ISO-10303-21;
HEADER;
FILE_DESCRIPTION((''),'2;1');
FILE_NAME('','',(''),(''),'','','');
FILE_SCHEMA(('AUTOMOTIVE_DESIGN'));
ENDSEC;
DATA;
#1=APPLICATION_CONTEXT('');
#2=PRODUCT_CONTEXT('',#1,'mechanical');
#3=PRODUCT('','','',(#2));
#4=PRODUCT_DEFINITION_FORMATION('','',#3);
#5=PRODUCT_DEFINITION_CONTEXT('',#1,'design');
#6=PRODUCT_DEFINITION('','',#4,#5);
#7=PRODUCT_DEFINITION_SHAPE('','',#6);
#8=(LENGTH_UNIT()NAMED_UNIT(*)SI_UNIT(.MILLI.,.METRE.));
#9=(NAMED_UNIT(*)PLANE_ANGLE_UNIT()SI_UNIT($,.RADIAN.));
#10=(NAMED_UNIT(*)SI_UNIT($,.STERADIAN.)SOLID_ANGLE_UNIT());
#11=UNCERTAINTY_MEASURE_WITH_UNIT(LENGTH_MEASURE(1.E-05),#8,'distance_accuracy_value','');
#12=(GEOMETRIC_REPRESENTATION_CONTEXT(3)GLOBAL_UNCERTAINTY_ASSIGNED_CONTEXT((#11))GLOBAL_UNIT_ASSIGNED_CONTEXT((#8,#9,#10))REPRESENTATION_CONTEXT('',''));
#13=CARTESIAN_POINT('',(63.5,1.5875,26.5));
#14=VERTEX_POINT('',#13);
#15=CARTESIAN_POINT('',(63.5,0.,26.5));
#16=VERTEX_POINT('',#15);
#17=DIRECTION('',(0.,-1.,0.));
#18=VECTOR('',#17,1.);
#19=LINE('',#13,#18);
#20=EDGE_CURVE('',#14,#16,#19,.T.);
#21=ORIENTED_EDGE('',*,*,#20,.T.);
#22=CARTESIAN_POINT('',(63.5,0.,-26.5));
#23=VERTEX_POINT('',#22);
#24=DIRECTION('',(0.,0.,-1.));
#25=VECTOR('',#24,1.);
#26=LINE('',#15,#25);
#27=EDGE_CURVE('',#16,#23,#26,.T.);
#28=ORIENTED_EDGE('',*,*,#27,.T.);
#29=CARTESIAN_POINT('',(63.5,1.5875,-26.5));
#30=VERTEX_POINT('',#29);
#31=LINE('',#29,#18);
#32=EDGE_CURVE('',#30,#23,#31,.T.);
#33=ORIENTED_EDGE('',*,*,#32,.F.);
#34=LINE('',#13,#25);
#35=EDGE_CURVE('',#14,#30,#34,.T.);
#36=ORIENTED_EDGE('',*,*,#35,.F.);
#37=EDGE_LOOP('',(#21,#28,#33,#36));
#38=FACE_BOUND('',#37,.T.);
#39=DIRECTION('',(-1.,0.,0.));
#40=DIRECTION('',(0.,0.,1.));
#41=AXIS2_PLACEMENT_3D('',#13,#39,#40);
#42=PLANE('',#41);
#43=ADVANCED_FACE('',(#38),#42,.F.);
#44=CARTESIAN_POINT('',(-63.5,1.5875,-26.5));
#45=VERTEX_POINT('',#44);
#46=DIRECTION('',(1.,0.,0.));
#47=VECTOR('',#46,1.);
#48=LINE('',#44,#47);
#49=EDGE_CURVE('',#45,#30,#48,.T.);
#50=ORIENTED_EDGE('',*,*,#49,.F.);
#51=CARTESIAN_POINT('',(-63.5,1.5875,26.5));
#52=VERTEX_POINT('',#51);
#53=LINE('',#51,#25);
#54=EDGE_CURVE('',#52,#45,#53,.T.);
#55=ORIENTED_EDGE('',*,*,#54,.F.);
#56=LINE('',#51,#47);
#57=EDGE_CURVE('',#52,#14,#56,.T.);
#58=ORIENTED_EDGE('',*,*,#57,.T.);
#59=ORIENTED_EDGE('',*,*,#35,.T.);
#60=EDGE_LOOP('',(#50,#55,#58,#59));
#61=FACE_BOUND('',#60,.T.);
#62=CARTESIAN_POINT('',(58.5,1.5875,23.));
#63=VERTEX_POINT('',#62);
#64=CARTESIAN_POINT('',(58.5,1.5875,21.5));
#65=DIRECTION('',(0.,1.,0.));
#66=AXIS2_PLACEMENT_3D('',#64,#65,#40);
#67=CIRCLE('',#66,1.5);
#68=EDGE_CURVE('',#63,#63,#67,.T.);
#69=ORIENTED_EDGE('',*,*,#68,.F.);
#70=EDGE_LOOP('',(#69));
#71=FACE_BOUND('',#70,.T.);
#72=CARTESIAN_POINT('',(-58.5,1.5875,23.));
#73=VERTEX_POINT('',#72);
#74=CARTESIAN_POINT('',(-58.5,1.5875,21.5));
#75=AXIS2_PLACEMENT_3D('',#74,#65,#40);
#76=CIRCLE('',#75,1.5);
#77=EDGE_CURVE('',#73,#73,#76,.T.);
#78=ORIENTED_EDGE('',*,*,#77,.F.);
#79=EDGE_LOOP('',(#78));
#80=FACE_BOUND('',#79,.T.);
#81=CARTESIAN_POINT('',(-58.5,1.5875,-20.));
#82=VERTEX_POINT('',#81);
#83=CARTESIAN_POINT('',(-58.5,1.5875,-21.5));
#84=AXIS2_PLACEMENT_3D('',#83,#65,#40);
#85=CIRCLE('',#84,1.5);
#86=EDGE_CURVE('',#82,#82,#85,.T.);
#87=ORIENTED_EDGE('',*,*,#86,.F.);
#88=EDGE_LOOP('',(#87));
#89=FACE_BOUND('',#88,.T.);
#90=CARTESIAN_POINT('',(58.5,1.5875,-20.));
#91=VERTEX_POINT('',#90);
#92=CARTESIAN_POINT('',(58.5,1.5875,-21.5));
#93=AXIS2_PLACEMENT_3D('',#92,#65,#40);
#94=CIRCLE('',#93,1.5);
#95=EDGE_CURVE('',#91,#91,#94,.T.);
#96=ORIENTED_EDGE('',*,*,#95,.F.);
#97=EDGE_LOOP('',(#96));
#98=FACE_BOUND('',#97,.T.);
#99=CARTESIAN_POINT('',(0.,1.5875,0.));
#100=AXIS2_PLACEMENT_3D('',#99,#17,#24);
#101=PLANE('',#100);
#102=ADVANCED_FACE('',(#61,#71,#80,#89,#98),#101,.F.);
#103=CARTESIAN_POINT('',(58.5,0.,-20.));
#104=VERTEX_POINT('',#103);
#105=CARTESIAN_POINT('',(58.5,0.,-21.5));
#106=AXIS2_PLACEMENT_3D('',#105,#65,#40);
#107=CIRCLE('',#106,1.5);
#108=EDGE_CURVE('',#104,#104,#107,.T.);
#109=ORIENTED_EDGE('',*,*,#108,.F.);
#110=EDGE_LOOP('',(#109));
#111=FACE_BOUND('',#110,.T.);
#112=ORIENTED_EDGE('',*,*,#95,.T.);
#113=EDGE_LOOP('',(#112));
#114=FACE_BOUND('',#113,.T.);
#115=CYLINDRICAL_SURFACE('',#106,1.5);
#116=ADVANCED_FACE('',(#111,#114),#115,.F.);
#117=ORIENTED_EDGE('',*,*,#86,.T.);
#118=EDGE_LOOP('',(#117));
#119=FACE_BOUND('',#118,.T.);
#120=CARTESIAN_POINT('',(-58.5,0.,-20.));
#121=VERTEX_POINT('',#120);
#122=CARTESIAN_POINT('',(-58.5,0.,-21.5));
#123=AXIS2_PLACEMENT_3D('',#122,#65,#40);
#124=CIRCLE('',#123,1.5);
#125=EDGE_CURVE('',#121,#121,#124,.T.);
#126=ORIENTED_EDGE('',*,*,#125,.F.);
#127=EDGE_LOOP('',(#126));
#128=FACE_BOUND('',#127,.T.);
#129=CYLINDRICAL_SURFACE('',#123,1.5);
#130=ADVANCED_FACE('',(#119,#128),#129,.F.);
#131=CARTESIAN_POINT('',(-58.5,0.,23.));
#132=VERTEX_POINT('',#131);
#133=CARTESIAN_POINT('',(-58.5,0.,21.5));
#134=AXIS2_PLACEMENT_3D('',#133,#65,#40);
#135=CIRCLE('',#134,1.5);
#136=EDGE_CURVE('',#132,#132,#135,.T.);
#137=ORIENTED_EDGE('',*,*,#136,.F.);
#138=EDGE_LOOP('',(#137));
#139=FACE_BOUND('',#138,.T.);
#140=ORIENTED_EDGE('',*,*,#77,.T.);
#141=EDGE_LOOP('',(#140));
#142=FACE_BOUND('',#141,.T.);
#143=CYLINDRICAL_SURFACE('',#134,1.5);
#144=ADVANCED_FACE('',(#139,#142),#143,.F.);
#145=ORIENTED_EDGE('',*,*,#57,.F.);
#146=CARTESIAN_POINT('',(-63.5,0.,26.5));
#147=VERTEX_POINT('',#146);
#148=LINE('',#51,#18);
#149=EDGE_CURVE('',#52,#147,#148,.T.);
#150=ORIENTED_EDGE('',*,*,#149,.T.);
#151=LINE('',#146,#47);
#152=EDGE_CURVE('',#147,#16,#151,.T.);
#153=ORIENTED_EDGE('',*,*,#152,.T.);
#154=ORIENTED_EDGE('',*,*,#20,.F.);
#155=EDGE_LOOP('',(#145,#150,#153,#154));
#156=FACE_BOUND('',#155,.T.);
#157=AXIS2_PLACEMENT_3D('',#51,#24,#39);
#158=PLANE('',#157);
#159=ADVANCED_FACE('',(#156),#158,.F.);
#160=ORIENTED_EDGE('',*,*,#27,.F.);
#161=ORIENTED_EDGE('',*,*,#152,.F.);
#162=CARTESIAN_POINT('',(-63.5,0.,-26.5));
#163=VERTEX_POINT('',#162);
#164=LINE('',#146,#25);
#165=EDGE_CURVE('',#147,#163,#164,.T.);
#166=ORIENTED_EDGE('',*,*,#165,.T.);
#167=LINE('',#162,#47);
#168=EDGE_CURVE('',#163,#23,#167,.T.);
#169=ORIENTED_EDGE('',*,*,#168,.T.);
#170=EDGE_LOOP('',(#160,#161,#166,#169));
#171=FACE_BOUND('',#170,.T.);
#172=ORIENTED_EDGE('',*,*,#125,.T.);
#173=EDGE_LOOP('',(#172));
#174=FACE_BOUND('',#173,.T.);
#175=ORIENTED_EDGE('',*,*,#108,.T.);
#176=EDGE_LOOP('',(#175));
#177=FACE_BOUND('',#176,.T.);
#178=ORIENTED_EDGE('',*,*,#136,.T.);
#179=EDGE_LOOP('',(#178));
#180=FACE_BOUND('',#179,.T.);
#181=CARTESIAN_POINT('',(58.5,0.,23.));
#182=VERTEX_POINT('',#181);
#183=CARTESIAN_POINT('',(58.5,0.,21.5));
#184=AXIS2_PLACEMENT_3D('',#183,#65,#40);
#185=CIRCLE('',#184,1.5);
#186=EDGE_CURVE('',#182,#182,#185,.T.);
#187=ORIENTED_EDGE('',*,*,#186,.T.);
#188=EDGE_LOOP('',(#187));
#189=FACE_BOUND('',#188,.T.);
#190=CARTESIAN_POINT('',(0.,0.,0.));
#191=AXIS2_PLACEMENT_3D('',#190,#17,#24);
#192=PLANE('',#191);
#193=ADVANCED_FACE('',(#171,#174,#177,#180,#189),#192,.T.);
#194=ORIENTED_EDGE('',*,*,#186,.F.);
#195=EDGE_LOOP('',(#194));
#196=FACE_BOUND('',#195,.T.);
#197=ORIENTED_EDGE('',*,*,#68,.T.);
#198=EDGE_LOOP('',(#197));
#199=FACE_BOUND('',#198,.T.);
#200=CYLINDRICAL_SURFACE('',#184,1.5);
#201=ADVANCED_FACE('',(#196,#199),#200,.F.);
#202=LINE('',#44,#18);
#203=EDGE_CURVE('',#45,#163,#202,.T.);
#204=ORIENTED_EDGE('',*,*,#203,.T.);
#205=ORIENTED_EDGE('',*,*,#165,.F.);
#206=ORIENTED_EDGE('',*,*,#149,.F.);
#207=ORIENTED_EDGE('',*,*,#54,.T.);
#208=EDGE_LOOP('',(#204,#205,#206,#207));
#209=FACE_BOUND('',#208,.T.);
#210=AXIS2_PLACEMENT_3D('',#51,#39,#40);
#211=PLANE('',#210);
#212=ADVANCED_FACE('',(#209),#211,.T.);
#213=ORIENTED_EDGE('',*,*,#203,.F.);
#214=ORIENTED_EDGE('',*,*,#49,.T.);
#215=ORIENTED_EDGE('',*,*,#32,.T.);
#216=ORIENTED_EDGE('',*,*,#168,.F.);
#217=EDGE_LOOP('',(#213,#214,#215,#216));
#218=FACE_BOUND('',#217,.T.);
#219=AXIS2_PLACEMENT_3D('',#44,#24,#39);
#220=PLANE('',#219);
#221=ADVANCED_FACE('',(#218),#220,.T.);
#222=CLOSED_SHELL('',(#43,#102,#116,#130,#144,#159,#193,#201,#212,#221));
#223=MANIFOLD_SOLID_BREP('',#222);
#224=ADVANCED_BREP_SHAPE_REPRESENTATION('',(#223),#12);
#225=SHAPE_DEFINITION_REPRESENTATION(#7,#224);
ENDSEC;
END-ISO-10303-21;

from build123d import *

# Parameters (mm, degrees)
SKETCH1_W           = 127
SKETCH1_H           = 53
BOSS_EXTRUDE1_DEPTH = 1.5875
SKETCH2_R           = 1.5
CUT_EXTRUDE1_DEPTH  = 2.5875


with BuildPart() as part:
    # Sketch1 → Boss-Extrude1 (new body)
    with BuildSketch(Plane(origin=(0, 0, 0), x_dir=(1, 0, 0), z_dir=(0, 1, 0))):
        Rectangle(SKETCH1_W, SKETCH1_H)
    extrude(amount=BOSS_EXTRUDE1_DEPTH)

    # Sketch2 → Cut-Extrude1 (cut, through all)
    with BuildSketch(Plane(origin=(0, 1.5875, 0), x_dir=(1, 0, 0), z_dir=(0, 1, 0))):
        with Locations((-58.5, -21.5)):
            Circle(SKETCH2_R)
        with Locations((58.5, -21.5)):
            Circle(SKETCH2_R)
        with Locations((58.5, 21.5)):
            Circle(SKETCH2_R)
        with Locations((-58.5, 21.5)):
            Circle(SKETCH2_R)
    extrude(amount=-CUT_EXTRUDE1_DEPTH, mode=Mode.SUBTRACT)


solid = part.part
